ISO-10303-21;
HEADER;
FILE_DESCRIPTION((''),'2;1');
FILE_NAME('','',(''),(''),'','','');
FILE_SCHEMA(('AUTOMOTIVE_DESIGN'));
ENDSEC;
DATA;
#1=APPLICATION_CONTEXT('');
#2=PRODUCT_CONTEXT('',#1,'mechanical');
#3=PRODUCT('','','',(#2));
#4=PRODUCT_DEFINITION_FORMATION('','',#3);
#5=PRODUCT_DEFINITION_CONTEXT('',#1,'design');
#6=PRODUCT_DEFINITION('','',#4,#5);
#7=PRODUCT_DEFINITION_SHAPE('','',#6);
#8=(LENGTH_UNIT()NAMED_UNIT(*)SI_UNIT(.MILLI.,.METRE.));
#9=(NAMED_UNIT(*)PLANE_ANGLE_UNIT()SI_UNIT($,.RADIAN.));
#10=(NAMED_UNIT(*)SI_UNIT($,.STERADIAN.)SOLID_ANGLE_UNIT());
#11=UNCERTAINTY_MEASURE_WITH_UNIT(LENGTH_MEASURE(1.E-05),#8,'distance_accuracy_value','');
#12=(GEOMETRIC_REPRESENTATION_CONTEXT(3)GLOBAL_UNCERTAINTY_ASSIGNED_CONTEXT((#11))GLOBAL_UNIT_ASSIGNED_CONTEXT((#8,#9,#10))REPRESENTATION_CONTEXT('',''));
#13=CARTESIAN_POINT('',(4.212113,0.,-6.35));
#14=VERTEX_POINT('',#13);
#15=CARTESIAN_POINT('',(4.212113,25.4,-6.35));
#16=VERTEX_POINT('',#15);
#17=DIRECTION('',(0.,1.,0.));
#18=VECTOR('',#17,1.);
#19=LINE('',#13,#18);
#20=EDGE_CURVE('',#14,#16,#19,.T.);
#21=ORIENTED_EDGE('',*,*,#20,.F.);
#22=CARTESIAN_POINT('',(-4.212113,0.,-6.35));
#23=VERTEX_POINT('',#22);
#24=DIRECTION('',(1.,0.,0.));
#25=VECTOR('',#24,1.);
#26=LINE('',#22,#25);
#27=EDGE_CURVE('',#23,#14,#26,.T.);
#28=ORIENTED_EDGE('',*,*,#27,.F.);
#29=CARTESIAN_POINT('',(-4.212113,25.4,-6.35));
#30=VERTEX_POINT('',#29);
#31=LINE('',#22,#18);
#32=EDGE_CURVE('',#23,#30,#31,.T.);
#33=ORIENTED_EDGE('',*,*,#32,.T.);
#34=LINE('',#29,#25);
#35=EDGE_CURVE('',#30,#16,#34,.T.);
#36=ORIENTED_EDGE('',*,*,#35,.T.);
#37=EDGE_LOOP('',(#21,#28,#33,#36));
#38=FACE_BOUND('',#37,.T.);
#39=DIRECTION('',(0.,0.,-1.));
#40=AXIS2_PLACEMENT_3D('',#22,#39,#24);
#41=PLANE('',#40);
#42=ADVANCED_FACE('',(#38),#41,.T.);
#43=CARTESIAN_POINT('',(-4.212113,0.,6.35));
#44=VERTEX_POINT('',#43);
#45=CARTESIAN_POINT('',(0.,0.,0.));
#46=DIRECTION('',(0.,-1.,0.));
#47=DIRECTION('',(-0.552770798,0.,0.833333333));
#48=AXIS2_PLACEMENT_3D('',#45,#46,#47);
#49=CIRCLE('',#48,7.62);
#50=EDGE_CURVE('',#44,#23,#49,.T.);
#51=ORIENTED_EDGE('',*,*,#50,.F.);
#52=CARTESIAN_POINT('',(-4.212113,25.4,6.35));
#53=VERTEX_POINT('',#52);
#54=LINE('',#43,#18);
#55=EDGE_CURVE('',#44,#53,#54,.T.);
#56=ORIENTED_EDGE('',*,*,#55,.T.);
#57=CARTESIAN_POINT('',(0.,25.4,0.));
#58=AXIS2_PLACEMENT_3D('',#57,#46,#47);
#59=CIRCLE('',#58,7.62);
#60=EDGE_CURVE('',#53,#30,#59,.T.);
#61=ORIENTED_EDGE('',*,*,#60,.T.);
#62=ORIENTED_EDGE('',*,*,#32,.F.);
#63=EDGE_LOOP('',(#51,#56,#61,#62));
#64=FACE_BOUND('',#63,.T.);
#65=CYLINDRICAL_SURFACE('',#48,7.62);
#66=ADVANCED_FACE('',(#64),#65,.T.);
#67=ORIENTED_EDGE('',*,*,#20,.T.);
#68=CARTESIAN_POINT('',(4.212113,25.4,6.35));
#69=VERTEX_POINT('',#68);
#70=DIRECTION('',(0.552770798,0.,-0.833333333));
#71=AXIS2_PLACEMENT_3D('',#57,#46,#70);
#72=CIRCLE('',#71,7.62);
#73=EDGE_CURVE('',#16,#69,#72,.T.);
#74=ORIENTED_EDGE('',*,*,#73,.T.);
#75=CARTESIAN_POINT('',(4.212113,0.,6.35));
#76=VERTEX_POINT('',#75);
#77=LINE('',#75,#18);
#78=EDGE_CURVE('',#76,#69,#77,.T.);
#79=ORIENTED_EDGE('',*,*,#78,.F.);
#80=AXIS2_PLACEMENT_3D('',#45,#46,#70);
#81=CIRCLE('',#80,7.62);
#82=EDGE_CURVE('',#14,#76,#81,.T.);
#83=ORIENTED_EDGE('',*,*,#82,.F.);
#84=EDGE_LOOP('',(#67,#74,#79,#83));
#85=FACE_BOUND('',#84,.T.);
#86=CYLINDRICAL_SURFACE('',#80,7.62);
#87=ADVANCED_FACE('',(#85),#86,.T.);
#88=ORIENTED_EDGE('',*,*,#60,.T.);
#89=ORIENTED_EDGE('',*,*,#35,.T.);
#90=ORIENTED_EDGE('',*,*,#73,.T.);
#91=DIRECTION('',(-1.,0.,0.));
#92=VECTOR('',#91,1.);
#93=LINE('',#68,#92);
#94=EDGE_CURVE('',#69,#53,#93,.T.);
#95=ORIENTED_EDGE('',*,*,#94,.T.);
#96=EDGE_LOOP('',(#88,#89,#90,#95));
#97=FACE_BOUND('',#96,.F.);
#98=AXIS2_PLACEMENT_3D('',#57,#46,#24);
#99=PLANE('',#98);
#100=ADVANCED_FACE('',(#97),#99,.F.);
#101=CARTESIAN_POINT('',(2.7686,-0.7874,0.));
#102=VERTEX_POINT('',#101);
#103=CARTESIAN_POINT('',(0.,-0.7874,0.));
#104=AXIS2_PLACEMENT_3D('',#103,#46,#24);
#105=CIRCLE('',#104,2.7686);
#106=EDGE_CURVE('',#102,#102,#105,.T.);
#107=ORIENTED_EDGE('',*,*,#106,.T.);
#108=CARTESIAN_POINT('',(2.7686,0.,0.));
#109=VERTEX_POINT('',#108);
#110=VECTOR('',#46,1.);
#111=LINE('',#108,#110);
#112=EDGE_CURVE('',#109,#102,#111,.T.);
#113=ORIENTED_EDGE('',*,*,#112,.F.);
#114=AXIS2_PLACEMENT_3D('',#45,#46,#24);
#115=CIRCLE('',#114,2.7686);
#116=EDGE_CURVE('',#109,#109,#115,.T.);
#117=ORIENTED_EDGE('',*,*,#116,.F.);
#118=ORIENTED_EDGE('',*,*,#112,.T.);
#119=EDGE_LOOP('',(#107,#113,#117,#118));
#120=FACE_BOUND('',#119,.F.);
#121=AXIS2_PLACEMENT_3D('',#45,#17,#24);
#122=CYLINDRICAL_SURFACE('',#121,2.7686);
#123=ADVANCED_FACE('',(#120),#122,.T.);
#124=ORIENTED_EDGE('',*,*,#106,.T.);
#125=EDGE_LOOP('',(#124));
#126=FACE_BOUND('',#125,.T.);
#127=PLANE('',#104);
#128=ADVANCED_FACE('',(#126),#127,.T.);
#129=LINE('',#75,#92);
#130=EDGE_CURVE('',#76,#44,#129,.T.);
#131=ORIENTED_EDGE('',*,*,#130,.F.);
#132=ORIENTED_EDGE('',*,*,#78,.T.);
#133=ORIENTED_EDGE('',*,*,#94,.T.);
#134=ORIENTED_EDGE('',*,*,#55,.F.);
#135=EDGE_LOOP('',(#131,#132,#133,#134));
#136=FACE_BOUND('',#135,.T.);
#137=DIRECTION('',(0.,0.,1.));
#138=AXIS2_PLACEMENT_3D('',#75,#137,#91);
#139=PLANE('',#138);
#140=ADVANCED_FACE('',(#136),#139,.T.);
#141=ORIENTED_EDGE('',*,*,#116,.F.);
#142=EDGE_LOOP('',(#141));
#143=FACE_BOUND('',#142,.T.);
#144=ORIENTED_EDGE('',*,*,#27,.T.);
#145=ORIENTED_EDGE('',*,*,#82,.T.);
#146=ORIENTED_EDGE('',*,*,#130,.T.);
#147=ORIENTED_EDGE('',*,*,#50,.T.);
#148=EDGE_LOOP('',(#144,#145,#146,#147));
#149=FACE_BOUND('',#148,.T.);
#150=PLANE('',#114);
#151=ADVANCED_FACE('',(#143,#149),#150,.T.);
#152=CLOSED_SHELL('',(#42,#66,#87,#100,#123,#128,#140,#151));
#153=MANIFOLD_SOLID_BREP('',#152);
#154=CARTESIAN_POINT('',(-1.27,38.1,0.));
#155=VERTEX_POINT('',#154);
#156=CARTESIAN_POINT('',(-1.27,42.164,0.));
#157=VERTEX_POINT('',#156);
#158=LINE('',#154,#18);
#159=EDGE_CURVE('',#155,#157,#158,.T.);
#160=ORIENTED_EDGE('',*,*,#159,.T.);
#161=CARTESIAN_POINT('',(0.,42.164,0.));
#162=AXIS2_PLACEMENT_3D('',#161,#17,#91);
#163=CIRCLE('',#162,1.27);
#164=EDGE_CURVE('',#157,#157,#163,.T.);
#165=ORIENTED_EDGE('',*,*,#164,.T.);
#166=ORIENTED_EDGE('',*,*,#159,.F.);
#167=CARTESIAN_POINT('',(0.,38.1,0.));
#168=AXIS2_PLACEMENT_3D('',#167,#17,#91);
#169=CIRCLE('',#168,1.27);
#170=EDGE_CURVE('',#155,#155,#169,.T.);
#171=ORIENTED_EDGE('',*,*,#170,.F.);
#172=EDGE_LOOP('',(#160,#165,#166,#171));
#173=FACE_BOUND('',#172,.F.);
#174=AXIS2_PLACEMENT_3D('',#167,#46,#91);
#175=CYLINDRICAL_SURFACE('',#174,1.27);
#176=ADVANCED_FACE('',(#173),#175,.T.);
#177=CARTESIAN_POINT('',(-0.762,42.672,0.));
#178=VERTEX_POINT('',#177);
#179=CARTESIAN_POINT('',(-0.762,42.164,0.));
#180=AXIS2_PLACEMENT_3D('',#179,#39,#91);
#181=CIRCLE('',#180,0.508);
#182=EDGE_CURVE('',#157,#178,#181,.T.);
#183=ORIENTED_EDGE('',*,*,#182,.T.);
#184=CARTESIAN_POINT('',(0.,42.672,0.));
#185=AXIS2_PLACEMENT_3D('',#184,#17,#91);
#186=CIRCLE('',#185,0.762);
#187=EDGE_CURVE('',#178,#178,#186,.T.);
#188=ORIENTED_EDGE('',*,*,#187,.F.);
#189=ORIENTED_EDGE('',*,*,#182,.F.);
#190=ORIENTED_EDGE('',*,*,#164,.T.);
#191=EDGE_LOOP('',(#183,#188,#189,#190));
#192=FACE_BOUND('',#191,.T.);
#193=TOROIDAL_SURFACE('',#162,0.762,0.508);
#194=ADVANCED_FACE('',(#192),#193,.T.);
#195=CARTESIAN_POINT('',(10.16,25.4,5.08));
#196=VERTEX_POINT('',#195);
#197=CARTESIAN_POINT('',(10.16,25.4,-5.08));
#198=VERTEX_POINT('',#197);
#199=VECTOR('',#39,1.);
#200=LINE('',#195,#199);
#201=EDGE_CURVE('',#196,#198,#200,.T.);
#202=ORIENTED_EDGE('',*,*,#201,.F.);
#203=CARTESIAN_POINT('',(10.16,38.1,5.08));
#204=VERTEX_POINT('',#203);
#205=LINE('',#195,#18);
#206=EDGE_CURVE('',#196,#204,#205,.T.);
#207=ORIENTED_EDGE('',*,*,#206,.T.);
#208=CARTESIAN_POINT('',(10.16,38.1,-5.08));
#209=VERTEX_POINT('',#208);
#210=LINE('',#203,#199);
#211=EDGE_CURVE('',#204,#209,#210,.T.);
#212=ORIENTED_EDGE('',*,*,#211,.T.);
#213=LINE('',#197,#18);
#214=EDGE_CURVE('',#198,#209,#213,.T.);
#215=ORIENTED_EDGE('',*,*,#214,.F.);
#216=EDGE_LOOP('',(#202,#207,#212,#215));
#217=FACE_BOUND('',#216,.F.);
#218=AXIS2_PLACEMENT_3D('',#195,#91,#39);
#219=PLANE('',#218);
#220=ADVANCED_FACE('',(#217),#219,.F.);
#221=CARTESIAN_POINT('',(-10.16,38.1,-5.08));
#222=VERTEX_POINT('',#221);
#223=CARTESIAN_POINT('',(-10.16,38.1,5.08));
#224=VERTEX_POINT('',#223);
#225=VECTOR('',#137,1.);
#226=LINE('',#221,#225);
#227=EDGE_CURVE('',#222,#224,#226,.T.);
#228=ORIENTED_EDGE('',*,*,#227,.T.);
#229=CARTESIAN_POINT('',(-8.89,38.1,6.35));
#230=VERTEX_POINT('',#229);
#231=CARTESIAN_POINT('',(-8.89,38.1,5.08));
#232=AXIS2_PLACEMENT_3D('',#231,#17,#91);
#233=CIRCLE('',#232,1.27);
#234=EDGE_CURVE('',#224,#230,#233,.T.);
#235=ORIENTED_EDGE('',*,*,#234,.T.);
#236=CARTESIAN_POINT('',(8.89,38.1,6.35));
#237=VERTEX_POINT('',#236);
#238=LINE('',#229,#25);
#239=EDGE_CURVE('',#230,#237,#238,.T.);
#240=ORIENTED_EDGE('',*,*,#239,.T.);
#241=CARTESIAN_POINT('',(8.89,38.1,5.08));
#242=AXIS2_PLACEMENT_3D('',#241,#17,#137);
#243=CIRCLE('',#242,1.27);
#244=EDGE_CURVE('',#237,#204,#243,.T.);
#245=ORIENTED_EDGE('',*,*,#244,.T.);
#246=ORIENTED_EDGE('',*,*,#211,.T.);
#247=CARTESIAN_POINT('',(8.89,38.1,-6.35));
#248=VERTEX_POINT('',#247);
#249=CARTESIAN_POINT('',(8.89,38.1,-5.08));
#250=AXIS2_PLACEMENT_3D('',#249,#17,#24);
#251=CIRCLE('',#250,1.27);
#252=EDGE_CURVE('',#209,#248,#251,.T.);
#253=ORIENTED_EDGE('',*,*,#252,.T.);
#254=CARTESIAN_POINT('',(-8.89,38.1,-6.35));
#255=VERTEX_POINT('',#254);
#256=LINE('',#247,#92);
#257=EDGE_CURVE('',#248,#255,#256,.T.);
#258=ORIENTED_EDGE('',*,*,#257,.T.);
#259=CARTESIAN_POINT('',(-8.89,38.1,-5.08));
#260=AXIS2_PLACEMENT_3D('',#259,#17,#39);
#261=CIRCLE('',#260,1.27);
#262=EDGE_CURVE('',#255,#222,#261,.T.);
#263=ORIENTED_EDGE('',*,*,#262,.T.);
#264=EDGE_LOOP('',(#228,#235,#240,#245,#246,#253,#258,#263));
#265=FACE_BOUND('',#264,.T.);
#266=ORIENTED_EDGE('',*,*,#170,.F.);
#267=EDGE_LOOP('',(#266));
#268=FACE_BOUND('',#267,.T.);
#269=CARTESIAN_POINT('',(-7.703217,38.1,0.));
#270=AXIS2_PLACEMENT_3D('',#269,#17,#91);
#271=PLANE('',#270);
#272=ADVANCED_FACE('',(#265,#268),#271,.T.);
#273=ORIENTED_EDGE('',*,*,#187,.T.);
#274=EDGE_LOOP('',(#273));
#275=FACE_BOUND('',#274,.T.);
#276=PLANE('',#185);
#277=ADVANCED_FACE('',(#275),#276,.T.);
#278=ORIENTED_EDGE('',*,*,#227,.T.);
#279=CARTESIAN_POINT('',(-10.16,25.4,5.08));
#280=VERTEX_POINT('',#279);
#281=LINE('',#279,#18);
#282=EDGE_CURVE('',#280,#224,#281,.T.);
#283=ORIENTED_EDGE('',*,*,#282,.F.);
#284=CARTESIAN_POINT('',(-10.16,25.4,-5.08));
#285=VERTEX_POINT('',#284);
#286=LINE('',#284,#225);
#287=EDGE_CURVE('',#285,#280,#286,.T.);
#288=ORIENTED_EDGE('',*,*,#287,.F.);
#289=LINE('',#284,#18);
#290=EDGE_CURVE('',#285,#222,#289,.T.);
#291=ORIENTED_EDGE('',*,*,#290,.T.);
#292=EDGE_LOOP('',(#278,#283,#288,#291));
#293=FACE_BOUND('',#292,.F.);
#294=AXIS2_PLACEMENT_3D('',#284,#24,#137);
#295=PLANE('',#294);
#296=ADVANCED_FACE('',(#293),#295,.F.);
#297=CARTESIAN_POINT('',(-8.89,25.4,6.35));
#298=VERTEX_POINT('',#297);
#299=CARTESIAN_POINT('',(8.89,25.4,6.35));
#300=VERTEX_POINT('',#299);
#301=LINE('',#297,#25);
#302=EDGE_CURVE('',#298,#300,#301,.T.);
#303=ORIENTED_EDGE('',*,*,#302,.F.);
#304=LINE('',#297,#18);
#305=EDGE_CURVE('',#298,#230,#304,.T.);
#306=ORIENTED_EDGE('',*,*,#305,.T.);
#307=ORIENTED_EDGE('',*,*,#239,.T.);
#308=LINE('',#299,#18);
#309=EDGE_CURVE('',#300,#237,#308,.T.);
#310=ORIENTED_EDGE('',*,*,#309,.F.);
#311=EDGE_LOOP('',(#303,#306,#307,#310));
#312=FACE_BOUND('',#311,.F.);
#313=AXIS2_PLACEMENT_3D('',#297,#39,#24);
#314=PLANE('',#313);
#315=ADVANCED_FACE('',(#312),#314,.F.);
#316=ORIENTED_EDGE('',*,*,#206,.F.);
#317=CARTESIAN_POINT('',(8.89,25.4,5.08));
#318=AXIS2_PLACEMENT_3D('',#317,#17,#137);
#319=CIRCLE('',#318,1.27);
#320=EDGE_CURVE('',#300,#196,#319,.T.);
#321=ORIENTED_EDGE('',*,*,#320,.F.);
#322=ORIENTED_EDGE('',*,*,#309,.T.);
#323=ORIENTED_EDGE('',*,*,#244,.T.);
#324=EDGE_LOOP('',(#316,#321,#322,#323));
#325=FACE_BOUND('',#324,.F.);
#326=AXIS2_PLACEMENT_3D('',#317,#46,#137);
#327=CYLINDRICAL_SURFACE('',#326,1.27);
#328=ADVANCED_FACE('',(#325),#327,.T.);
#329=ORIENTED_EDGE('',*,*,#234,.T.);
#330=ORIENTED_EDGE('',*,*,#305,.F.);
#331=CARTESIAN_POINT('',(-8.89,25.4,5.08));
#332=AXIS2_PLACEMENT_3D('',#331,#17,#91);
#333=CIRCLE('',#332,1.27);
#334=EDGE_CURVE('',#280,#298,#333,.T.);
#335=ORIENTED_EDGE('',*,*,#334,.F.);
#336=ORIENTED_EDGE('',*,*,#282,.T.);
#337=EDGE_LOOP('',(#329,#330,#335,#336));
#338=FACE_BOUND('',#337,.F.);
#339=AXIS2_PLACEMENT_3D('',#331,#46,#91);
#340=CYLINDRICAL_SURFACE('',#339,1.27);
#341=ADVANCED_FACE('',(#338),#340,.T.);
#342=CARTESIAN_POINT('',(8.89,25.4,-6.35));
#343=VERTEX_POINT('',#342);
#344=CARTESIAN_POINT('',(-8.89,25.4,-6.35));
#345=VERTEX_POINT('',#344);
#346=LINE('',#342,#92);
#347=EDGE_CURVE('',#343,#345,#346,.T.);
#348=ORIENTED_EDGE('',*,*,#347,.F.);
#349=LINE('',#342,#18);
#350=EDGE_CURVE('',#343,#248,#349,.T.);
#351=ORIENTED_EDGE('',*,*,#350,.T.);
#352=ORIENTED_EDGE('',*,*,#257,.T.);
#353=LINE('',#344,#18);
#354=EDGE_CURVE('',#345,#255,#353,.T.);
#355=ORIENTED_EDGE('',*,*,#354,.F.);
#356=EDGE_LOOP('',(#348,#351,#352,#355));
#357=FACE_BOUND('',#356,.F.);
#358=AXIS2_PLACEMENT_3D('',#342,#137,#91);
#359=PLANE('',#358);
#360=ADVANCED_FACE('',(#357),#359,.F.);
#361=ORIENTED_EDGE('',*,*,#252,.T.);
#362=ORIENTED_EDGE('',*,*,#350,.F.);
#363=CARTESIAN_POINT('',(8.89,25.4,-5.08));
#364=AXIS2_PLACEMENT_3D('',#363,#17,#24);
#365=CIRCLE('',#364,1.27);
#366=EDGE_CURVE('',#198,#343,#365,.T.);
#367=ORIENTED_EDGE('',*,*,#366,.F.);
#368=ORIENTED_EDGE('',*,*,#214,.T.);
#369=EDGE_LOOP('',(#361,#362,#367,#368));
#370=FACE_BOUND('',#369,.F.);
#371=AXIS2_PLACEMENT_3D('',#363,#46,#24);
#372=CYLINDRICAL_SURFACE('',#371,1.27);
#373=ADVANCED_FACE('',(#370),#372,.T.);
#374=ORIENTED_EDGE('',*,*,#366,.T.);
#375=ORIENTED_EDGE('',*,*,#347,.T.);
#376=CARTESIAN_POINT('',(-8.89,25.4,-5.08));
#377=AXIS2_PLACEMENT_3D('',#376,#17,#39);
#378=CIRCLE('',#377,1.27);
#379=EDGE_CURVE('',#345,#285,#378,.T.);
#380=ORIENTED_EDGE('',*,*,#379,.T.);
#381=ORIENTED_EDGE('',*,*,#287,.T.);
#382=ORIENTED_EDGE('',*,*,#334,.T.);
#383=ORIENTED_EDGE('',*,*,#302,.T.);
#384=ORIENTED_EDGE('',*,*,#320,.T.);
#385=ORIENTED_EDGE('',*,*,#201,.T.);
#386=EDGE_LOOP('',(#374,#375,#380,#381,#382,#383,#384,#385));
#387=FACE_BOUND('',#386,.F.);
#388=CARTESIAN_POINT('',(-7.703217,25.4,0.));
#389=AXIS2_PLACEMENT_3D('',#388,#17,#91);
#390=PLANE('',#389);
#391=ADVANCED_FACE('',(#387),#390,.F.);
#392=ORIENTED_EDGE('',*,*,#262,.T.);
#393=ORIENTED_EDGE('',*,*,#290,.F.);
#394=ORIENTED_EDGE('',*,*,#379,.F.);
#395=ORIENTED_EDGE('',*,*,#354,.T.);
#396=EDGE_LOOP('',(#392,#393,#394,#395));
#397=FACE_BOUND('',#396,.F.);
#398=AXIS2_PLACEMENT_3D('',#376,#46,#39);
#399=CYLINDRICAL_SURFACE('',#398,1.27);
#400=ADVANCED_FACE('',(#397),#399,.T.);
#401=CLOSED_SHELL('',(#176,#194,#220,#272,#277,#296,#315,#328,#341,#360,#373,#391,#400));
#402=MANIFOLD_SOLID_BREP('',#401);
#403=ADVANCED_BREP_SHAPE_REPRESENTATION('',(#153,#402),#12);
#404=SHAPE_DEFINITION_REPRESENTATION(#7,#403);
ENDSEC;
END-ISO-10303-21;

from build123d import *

# Parameters (mm, degrees)
F0_R     = 2.7686
F1_DEPTH = 25.4
F2_DEPTH = 0.7874
F4_DEPTH = 12.7
F5_R     = 1.27
F6_DEPTH = 4.572
F7_R     = 0.508


with BuildPart() as f1:
    # F0 (on Front) → F1 (new body)
    with BuildSketch(Plane.XZ):
        with BuildLine():
            Line((4.2121134838, 6.35), (-4.2121134838, 6.35))
            ThreePointArc((-4.2121134838, 6.35), (-7.62, 0), (-4.2121134838, -6.35))
            Line((-4.2121134838, -6.35), (4.2121134838, -6.35))
            ThreePointArc((4.2121134838, -6.35), (7.62, 0), (4.2121134838, 6.35))
        make_face()
        Circle(F0_R, mode=Mode.SUBTRACT)
        Circle(F0_R)
    extrude(amount=-F1_DEPTH)

    # F0 (on Front) → F2 (join)
    with BuildSketch(Plane.XZ):
        Circle(F0_R)
    extrude(amount=F2_DEPTH)


with BuildPart() as f4:
    # F3 (on face) → F4 (new body)
    with BuildSketch(Plane(origin=(0, 25.4, 0), x_dir=(-1, 0, 0), z_dir=(0, 1, 0))):
        with BuildLine():
            Line((8.89, 6.35), (4.2121134838, 6.35))
            ThreePointArc((4.2121134838, 6.35), (7.62, 0), (4.2121134838, -6.35))
            Line((4.2121134838, -6.35), (8.89, -6.35))
            ThreePointArc((8.89, -6.35), (9.7880256121, -5.9780256121), (10.16, -5.08))
            Line((10.16, -5.08), (10.16, 5.08))
            ThreePointArc((10.16, 5.08), (9.7880256121, 5.9780256121), (8.89, 6.35))
        make_face()
        with BuildLine():
            ThreePointArc((4.2121134838, -6.35), (7.62, 0), (4.2121134838, 6.35))
            Line((4.2121134838, 6.35), (-4.2121134838, 6.35))
            ThreePointArc((-4.2121134838, 6.35), (-7.62, 0), (-4.2121134838, -6.35))
            Line((-4.2121134838, -6.35), (4.2121134838, -6.35))
        make_face()
        with BuildLine():
            ThreePointArc((-4.2121134838, -6.35), (-7.62, 0), (-4.2121134838, 6.35))
            Line((-4.2121134838, 6.35), (-8.89, 6.35))
            ThreePointArc((-8.89, 6.35), (-9.7880256121, 5.9780256121), (-10.16, 5.08))
            Line((-10.16, 5.08), (-10.16, -5.08))
            ThreePointArc((-10.16, -5.08), (-9.7880256121, -5.9780256121), (-8.89, -6.35))
            Line((-8.89, -6.35), (-4.2121134838, -6.35))
        make_face()
    extrude(amount=F4_DEPTH)

    # F5 (on face) → F6 (join)
    with BuildSketch(Plane(origin=(0, 38.1, 0), x_dir=(-1, 0, 0), z_dir=(0, 1, 0))):
        Circle(F5_R)
    extrude(amount=F6_DEPTH)

    # F7
    f7_edges = [f4.edges().sort_by_distance(p)[0] for p in [
        (1.27, 42.672, 0),
    ]]
    fillet(f7_edges, radius=F7_R)


solid = Compound([f1.part, f4.part])
